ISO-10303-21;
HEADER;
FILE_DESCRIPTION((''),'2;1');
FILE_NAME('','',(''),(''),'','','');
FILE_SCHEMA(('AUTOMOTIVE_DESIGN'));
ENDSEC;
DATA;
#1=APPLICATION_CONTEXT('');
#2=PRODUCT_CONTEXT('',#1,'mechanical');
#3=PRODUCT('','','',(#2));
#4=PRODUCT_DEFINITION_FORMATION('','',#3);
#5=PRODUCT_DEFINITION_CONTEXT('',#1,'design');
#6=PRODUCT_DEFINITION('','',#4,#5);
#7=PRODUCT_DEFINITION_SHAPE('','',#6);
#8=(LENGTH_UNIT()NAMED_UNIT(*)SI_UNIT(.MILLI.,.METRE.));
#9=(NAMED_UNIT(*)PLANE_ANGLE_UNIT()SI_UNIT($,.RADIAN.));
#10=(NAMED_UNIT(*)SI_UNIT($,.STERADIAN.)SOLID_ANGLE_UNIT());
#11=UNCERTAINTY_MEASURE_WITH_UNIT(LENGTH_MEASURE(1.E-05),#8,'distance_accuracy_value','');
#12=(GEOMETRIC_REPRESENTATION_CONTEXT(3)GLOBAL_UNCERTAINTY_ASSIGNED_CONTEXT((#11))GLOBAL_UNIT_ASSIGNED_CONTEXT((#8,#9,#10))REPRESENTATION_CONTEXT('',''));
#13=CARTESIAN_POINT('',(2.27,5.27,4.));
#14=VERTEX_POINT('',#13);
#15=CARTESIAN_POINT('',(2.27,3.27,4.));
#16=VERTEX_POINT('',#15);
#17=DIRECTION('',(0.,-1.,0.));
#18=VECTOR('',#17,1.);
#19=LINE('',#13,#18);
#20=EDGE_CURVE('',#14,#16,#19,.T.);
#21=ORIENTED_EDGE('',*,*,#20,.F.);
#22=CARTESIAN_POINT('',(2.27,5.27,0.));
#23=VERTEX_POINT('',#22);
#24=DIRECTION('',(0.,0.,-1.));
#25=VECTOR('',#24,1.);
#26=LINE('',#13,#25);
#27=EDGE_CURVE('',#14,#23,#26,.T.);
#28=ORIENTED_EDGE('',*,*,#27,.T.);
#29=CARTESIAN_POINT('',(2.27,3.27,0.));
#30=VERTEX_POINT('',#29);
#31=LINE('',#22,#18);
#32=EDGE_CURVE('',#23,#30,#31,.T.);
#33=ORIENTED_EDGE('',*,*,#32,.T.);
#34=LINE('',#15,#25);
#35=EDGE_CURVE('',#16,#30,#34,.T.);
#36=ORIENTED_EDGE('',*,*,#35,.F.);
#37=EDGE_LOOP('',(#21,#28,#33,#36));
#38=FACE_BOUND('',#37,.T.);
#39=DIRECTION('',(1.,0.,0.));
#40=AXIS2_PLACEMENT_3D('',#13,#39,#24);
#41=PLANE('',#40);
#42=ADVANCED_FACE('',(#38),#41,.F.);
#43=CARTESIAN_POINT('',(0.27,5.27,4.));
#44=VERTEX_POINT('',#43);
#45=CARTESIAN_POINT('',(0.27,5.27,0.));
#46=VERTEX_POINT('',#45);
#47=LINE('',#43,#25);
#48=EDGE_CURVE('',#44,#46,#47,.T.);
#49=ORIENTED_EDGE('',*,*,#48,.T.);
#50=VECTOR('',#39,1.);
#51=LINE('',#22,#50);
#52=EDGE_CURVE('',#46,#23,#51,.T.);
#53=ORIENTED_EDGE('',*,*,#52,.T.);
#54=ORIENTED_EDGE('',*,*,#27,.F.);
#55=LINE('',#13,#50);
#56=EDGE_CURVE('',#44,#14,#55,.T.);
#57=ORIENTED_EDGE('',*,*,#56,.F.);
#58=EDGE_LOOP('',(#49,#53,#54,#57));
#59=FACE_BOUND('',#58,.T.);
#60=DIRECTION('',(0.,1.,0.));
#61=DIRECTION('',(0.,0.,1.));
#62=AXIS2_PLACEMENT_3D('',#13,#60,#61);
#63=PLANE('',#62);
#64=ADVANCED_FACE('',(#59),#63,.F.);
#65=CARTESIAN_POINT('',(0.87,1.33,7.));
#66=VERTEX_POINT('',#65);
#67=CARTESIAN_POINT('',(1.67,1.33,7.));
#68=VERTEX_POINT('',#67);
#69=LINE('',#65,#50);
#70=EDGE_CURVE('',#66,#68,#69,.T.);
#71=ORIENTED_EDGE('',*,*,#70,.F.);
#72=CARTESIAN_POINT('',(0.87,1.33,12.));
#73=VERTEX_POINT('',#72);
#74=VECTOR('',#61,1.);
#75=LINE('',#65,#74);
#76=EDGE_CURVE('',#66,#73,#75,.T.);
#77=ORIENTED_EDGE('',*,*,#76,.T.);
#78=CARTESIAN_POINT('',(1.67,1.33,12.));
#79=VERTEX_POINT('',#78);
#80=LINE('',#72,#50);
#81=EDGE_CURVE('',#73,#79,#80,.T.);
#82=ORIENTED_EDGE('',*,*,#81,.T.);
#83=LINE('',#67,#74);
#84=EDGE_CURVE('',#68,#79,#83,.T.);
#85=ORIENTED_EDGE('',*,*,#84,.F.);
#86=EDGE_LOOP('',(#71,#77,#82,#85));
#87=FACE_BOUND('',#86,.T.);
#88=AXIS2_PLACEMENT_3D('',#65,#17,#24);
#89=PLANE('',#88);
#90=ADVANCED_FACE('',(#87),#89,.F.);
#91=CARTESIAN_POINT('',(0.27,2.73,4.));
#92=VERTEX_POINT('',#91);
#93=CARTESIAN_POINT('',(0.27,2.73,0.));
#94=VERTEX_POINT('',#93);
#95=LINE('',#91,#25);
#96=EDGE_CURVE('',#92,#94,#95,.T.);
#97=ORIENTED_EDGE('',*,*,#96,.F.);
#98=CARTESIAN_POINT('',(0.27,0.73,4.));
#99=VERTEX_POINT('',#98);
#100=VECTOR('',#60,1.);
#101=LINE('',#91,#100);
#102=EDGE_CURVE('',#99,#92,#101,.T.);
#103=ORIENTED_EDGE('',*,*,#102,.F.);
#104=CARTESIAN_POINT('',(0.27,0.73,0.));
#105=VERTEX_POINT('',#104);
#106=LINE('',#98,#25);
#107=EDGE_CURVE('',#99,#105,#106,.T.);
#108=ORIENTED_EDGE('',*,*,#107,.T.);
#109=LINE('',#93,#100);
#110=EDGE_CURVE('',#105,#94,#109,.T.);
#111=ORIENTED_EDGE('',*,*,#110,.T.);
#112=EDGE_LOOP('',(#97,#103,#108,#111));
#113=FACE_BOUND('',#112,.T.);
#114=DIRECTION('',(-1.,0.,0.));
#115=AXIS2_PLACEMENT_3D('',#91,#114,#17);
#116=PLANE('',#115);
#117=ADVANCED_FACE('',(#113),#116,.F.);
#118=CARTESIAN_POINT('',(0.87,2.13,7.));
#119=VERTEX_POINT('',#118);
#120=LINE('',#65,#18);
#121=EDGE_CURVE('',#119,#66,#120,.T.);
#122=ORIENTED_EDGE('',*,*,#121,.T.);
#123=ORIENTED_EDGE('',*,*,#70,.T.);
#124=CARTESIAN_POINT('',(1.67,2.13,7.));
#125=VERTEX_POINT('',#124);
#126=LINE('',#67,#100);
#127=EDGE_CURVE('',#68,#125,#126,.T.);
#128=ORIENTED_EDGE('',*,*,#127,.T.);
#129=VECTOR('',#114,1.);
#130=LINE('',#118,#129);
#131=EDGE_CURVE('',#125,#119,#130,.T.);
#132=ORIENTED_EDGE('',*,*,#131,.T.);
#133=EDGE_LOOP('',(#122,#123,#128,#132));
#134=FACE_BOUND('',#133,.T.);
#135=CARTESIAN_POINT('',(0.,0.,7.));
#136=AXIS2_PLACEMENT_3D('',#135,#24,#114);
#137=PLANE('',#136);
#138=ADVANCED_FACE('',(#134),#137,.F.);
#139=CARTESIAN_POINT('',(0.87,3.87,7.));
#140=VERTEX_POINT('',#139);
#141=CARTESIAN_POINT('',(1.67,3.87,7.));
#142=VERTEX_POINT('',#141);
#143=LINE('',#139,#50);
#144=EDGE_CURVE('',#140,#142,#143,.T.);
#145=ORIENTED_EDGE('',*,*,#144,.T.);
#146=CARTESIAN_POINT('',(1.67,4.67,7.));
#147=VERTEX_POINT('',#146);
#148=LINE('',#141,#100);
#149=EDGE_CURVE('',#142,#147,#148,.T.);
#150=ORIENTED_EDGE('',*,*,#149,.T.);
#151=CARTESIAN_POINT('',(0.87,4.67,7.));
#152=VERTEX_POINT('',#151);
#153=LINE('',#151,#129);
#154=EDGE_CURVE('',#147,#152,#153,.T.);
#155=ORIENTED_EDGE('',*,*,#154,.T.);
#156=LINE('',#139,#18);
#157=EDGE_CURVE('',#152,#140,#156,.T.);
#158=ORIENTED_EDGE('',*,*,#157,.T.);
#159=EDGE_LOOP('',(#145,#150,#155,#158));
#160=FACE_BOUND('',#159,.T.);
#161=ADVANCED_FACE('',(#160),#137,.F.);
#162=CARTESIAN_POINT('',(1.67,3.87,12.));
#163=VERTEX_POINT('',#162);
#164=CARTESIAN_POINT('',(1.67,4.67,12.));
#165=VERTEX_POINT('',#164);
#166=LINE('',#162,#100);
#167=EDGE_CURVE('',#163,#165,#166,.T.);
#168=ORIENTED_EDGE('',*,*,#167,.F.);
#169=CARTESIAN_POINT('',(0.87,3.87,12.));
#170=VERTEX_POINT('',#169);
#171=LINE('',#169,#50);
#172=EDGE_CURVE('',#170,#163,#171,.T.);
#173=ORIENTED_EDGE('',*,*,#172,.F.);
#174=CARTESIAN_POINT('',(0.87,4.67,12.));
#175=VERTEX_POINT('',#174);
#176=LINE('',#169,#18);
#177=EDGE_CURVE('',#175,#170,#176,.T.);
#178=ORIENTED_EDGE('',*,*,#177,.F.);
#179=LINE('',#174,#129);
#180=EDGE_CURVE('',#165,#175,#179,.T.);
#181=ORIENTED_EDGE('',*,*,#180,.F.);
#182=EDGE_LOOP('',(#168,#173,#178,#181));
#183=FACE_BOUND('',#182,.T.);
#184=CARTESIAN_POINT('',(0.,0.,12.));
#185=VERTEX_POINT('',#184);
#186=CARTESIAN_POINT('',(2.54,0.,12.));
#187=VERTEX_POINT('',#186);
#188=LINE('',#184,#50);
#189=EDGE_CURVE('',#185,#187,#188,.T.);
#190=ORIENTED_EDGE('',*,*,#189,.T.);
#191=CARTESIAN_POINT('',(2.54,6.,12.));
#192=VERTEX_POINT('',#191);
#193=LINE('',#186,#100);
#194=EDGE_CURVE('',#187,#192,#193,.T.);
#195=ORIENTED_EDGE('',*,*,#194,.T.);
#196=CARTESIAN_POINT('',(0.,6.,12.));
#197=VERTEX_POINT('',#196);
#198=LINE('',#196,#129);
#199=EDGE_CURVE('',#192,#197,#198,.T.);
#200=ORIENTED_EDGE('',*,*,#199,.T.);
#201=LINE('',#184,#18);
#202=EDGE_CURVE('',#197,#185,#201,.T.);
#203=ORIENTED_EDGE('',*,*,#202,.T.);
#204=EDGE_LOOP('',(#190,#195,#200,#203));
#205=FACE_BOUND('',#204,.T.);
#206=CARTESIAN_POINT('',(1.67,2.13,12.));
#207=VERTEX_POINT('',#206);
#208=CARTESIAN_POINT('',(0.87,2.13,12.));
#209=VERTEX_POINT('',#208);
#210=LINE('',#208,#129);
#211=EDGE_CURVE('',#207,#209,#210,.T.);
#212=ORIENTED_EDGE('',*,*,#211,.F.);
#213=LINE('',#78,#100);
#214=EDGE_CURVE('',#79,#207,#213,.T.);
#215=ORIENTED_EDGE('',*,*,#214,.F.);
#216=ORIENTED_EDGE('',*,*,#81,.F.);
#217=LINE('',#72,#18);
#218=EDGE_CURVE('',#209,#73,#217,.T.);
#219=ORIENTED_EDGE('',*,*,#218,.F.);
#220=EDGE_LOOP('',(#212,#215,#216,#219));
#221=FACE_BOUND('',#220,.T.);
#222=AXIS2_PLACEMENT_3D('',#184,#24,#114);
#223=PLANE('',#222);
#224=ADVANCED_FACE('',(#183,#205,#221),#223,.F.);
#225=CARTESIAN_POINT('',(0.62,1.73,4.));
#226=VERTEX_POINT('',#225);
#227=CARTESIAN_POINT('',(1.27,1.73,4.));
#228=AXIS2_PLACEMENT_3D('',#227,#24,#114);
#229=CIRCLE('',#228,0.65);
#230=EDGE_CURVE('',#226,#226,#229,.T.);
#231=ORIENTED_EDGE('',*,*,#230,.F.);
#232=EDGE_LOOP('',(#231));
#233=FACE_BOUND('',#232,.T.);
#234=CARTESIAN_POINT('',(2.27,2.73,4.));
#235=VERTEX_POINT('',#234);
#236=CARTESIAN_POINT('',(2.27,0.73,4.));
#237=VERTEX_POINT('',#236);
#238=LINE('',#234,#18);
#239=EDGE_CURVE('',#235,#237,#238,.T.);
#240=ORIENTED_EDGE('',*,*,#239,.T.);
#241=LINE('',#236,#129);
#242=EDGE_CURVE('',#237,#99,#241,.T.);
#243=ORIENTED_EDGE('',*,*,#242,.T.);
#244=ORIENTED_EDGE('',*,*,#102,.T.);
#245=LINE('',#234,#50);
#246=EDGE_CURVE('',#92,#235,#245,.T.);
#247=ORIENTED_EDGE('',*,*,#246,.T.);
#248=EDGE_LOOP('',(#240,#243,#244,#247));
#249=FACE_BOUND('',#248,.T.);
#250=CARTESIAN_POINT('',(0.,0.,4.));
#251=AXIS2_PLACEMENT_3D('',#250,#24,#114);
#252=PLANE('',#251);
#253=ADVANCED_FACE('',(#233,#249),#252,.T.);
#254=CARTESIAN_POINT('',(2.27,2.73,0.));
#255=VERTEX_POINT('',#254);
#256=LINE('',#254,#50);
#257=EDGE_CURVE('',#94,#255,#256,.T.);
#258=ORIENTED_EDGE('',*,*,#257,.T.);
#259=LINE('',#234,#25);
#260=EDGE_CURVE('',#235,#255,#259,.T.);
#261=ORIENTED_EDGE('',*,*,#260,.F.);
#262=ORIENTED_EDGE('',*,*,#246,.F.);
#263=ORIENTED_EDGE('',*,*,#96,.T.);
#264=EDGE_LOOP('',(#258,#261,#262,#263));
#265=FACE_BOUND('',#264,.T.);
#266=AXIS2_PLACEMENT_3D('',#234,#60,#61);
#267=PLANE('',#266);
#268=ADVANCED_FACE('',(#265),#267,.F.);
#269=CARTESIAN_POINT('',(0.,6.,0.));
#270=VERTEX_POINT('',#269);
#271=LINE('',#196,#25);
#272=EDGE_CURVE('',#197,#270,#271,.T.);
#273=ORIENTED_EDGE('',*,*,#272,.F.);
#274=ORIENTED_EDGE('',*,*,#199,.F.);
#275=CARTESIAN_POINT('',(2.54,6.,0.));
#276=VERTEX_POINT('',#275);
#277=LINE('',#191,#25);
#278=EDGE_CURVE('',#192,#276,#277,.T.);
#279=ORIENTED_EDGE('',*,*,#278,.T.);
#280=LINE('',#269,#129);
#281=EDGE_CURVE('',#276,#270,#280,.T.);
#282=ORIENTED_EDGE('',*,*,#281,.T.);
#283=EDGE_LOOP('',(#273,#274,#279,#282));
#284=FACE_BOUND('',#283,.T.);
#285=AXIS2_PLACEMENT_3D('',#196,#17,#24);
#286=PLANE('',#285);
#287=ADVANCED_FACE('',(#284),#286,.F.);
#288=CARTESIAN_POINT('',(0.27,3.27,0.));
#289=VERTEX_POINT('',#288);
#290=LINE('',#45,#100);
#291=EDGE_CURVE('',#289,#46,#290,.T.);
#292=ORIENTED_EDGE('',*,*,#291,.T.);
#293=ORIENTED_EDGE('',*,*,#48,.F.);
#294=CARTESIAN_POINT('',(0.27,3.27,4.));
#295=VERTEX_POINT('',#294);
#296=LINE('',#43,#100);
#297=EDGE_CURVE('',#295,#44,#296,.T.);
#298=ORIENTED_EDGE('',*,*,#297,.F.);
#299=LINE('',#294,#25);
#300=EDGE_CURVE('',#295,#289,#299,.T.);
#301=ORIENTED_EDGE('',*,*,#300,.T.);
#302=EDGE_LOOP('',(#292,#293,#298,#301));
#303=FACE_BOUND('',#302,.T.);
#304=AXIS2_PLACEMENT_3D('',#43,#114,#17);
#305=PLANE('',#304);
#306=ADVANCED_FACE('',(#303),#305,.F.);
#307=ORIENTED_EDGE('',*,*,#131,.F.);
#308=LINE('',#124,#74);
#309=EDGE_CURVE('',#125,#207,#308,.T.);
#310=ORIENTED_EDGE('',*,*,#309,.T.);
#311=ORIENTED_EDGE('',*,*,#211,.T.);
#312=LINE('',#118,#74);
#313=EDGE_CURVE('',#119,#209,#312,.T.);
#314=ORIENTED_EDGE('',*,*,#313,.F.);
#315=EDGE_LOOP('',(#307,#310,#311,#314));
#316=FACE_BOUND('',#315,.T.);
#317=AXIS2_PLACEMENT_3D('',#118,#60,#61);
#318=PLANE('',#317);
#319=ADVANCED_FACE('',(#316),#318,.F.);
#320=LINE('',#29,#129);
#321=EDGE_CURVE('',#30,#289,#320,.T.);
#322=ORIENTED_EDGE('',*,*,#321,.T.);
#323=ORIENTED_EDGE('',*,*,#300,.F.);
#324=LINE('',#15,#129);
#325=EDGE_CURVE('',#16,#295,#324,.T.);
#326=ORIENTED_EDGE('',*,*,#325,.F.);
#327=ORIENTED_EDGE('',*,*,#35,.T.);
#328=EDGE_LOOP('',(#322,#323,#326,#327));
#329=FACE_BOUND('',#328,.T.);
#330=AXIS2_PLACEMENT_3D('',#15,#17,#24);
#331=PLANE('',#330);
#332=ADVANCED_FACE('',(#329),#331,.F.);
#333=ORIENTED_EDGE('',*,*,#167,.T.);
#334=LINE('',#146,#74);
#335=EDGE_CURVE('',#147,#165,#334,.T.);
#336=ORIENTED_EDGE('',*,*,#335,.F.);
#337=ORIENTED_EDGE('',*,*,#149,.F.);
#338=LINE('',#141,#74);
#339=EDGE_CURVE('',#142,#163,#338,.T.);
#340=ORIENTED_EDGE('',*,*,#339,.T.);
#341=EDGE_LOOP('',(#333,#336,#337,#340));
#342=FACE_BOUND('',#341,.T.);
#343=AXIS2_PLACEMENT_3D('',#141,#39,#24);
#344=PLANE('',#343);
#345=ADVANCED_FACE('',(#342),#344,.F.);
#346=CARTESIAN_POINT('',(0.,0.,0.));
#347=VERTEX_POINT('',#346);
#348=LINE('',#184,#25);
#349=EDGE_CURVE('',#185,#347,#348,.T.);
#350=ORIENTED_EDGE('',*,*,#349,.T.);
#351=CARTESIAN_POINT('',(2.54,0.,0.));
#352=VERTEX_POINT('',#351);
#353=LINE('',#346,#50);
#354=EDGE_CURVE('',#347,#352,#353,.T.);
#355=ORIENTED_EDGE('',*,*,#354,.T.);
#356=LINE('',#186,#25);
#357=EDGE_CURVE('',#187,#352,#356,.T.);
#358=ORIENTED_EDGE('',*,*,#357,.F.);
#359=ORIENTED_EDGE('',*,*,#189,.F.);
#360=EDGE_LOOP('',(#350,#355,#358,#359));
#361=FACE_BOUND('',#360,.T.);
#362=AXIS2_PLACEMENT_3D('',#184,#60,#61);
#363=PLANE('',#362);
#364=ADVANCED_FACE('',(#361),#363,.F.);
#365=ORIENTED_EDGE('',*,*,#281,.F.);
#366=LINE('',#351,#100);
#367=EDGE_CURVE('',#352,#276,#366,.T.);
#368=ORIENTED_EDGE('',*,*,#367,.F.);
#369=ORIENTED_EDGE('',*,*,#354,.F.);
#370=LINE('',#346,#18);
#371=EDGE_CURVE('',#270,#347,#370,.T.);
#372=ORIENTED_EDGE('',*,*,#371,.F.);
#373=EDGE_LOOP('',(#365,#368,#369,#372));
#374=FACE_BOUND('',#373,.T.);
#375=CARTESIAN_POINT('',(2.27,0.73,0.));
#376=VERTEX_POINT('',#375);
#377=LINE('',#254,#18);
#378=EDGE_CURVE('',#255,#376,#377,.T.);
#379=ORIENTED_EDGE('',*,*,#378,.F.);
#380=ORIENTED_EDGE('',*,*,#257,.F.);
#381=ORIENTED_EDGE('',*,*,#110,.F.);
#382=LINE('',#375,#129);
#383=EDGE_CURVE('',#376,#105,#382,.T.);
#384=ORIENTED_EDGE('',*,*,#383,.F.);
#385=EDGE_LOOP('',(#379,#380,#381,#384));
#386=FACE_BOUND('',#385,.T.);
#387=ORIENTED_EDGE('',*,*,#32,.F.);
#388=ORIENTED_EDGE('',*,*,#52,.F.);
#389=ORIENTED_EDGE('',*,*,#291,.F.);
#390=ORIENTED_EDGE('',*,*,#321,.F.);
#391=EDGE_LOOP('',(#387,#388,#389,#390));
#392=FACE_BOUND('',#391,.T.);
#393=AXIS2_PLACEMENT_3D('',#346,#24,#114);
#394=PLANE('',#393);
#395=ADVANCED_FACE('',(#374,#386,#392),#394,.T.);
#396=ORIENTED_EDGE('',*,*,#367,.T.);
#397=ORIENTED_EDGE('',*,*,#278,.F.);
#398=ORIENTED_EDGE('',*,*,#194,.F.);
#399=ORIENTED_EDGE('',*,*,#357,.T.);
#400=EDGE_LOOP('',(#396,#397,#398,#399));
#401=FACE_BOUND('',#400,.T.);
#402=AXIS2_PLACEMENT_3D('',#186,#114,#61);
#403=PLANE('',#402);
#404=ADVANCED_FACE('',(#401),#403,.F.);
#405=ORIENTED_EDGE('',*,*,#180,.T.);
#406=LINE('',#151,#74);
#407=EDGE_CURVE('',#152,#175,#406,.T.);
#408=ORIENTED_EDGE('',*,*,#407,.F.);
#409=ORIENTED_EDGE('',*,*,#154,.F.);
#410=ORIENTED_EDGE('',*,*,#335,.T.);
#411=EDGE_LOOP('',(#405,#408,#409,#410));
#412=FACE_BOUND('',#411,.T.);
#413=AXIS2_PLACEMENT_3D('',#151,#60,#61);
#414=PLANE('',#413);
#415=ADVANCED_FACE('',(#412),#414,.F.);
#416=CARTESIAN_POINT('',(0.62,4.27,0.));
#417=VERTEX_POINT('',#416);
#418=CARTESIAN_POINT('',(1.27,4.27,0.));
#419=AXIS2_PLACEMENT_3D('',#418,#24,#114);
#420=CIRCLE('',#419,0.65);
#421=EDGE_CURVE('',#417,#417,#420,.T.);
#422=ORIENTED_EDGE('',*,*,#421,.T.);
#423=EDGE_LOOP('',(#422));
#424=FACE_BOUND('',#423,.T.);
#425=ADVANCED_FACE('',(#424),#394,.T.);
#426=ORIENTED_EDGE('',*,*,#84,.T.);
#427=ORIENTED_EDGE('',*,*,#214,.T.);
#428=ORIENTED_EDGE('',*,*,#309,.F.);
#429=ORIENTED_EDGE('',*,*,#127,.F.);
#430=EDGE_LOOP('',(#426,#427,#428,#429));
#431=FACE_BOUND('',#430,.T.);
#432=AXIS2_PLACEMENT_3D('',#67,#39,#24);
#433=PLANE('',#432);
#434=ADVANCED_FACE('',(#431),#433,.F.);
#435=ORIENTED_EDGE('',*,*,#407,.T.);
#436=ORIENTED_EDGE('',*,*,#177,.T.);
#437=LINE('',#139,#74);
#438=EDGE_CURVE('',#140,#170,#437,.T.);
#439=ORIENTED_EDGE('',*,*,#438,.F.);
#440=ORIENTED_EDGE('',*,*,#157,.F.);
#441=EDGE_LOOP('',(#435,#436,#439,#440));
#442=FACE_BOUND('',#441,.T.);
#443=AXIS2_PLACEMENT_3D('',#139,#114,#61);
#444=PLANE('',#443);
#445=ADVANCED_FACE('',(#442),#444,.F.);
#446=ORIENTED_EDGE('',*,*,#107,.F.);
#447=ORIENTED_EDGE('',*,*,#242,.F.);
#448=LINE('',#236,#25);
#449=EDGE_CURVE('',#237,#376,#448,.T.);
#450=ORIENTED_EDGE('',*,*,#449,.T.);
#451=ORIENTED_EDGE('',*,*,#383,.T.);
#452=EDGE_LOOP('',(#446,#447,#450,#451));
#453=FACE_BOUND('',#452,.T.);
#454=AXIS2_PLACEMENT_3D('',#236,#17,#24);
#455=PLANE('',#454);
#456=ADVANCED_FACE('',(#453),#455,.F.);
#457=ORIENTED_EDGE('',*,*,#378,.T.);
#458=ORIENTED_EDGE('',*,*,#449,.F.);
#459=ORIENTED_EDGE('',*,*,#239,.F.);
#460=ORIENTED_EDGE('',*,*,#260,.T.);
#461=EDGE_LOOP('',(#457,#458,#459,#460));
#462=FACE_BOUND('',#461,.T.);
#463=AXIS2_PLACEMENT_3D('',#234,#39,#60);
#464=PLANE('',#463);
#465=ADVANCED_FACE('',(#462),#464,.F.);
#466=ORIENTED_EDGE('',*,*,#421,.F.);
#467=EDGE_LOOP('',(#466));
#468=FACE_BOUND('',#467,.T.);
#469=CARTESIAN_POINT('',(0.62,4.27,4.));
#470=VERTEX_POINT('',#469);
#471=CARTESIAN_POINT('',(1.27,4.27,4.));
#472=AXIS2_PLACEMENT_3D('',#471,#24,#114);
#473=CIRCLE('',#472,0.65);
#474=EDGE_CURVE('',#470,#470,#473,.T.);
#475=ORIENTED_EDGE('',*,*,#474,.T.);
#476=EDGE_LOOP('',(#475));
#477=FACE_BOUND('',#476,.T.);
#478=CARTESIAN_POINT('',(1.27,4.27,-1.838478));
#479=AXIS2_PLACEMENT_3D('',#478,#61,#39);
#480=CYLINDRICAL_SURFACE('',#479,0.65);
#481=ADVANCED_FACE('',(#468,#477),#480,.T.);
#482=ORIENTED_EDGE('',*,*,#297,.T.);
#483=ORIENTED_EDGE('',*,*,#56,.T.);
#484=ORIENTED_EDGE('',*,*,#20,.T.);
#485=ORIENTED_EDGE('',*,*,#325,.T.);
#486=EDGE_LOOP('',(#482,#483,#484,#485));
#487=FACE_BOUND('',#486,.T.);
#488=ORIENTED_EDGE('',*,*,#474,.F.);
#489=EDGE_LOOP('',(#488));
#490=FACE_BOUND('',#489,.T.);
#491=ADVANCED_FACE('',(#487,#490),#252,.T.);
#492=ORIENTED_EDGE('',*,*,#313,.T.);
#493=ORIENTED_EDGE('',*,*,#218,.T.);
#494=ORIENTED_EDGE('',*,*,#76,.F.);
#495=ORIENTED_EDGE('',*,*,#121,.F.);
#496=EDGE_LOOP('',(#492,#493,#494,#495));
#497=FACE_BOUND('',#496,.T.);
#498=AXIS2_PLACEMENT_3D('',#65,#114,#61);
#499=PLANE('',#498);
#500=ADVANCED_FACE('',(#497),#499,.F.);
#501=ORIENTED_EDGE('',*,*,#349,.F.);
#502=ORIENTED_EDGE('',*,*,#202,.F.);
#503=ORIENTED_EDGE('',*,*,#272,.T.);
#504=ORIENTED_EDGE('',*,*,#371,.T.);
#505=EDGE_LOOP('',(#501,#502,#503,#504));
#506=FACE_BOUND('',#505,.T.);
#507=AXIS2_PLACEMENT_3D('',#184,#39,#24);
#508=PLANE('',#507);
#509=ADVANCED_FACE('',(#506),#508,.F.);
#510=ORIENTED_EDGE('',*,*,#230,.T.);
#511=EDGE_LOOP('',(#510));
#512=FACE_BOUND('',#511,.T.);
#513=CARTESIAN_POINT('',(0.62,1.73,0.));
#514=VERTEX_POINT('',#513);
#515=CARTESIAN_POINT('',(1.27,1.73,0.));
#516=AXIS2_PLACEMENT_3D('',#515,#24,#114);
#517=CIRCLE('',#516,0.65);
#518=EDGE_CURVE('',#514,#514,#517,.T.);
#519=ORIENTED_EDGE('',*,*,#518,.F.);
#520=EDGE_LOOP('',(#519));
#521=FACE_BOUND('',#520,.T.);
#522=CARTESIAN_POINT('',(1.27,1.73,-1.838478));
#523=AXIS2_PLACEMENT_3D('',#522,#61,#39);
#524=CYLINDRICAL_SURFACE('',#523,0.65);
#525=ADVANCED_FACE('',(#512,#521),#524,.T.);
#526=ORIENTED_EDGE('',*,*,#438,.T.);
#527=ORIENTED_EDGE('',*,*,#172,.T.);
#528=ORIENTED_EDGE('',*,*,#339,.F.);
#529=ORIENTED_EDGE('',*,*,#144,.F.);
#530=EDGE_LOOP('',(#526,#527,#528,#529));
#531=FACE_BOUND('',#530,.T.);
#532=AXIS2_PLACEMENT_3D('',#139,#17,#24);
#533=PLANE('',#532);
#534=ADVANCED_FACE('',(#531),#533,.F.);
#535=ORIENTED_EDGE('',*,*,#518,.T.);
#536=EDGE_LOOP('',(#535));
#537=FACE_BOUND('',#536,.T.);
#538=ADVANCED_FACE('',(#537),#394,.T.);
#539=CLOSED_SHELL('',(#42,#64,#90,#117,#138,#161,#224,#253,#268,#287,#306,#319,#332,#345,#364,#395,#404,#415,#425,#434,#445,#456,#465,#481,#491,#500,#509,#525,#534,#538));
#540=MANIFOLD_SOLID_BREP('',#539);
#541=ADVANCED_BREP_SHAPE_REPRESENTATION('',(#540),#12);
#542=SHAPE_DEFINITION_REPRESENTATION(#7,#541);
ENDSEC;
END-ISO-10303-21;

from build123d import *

# Parameters (mm, degrees)
SKETCH_1_W          = 2.54
SKETCH_1_H          = 6
EXTRUDE_1_DEPTH     = 12
SKETCH_2_W          = 2
SKETCH_2_H          = 2
CUT_EXTRUDE_1_DEPTH = 4
SKETCH_3_R          = 0.65
EXTRUDE_2_DEPTH     = 4
SKETCH_4_W          = 0.8
SKETCH_4_H          = 0.8
CUT_EXTRUDE_2_DEPTH = 5


with BuildPart() as part:
    # Эскиз1 → Бобышка-Вытянуть1 (new body)
    with BuildSketch(Plane.XY):
        with Locations((1.27, 3)):
            Rectangle(SKETCH_1_W, SKETCH_1_H)
    extrude(amount=EXTRUDE_1_DEPTH)

    # Эскиз2 → Вырез-Вытянуть1 (cut)
    with BuildSketch(Plane(origin=(0, 0, 0), x_dir=(-1, 0, 0), z_dir=(0, 0, -1))):
        with Locations((-1.27, 4.27)):
            Rectangle(SKETCH_2_W, SKETCH_2_H)
        with Locations((-1.27, 1.73)):
            Rectangle(SKETCH_2_W, SKETCH_2_H)
    extrude(amount=-CUT_EXTRUDE_1_DEPTH, mode=Mode.SUBTRACT)

    # Эскиз3 → Бобышка-Вытянуть2 (add)
    with BuildSketch(Plane(origin=(0, 0, 4), x_dir=(-1, 0, 0), z_dir=(0, 0, -1))):
        with Locations((-1.27, 4.27)):
            Circle(SKETCH_3_R)
        with Locations((-1.27, 1.73)):
            Circle(SKETCH_3_R)
    extrude(amount=EXTRUDE_2_DEPTH)

    # Эскиз4 → Вырез-Вытянуть2 (cut)
    with BuildSketch(Plane.XY.offset(12)):
        with Locations((1.27, 4.27)):
            Rectangle(SKETCH_4_W, SKETCH_4_H)
        with Locations((1.27, 1.73)):
            Rectangle(SKETCH_4_W, SKETCH_4_H)
    extrude(amount=-CUT_EXTRUDE_2_DEPTH, mode=Mode.SUBTRACT)


solid = part.part
